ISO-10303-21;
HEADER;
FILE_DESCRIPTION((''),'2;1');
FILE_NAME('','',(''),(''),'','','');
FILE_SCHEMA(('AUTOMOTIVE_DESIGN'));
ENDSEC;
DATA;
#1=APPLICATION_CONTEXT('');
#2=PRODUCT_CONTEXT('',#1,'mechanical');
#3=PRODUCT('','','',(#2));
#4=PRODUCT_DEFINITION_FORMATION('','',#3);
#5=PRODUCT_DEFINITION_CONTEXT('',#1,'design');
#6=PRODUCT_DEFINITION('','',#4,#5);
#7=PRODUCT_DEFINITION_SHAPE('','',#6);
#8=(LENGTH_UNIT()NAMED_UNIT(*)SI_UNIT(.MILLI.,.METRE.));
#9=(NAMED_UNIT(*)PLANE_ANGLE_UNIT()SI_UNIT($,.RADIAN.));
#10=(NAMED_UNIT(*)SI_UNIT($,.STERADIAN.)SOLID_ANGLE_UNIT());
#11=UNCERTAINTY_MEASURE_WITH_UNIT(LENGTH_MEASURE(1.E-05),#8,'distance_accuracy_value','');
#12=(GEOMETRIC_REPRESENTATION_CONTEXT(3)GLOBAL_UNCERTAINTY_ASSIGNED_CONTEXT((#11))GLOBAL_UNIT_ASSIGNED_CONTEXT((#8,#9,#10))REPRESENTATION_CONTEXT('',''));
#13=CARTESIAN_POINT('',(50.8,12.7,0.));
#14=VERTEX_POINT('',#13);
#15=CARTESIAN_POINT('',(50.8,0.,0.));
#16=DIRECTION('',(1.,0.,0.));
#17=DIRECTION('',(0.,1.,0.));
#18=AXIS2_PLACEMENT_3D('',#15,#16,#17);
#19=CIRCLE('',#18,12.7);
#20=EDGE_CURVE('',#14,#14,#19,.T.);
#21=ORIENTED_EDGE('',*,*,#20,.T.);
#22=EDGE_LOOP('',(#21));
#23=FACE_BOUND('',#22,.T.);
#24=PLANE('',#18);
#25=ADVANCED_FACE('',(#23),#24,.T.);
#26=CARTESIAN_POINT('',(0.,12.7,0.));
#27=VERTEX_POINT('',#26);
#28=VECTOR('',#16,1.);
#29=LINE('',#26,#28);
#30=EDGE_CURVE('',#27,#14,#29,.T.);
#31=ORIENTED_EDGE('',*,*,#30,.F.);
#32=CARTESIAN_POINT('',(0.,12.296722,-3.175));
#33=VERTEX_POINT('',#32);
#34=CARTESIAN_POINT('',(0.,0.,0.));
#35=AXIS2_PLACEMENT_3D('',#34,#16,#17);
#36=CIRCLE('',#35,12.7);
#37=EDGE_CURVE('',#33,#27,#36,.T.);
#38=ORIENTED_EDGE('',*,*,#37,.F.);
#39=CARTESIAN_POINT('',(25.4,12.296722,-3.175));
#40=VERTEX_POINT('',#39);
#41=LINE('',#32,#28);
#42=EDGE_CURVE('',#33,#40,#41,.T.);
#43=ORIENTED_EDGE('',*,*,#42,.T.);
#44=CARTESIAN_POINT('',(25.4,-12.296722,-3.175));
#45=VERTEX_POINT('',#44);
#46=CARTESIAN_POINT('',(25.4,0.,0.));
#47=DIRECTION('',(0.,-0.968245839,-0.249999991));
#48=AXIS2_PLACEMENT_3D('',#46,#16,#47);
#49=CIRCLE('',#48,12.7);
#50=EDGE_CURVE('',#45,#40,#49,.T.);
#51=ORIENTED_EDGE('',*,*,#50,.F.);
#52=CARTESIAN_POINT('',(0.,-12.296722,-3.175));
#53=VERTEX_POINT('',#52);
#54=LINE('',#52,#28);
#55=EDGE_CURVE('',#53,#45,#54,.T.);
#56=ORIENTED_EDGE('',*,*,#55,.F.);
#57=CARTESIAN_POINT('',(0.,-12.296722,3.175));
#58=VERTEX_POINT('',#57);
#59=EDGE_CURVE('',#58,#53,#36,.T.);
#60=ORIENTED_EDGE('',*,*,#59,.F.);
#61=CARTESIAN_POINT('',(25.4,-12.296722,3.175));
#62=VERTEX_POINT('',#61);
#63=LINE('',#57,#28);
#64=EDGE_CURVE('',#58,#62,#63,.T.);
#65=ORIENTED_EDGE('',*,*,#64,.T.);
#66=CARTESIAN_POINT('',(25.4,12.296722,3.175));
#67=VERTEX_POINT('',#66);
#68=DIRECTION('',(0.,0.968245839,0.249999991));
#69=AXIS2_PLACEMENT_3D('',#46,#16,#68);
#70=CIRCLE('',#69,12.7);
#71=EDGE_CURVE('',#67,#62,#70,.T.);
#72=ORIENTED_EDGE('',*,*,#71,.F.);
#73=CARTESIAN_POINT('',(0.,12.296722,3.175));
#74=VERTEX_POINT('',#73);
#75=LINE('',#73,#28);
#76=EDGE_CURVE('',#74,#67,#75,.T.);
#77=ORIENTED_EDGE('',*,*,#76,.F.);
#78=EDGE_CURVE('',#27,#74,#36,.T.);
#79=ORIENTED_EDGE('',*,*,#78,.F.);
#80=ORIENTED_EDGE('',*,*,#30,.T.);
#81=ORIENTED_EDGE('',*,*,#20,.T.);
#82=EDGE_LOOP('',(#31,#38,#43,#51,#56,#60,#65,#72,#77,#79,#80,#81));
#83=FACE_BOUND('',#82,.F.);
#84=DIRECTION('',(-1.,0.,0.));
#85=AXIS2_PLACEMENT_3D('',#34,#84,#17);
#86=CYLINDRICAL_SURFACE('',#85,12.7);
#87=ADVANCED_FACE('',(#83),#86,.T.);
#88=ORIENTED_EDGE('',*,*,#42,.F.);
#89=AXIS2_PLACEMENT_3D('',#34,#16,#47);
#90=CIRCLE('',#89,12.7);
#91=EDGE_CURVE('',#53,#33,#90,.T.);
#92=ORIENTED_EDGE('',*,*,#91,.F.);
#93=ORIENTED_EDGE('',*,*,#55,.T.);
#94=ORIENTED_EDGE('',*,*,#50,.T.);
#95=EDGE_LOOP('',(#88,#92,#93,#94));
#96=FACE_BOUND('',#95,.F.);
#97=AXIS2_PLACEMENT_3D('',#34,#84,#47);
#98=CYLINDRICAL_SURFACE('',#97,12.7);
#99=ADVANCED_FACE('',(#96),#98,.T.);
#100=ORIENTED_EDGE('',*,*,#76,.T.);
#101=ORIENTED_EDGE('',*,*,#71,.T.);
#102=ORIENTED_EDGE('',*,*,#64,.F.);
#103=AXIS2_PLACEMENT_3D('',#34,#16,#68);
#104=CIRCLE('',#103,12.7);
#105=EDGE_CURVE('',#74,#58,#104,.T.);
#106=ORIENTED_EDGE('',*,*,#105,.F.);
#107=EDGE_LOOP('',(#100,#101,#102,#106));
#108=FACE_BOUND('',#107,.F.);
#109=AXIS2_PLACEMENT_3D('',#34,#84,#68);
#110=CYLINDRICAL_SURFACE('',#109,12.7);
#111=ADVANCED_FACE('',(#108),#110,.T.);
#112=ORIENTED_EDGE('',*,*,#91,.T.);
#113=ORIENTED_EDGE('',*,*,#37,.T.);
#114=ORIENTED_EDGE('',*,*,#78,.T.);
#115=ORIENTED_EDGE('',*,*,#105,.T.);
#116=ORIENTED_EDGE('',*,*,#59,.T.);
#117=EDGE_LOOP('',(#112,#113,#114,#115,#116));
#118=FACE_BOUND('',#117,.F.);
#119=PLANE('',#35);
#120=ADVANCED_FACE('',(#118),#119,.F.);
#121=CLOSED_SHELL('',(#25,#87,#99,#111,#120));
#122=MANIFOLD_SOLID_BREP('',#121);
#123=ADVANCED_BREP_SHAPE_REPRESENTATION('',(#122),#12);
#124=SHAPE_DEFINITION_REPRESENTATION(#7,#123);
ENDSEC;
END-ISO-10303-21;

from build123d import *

# Parameters (mm, degrees)
F0_R     = 12.7
F1_DEPTH = 50.8
F3_DEPTH = 25.4


with BuildPart() as f1:
    # F0 (on Right) → F1 (new body)
    with BuildSketch(Plane.YZ):
        Circle(F0_R)
    extrude(amount=F1_DEPTH)

    # F2 (on face) → F3 (cut)
    with BuildSketch(Plane(origin=(0, 0, 0), x_dir=(0, -1, 0), z_dir=(-1, 0, 0))):
        with BuildLine():
            Line((-25.4, 28.575), (-25.4, 3.175))
            Line((-25.4, 3.175), (-12.296722, 3.175))
            ThreePointArc((-12.296722, 3.175), (0, 12.7), (12.296722, 3.175))
            Line((12.296722, 3.175), (25.4, 3.175))
            Line((25.4, 3.175), (25.4, 28.575))
            Line((25.4, 28.575), (-25.4, 28.575))
        make_face()
        with BuildLine():
            Line((-12.296722, -3.175), (-25.4, -3.175))
            Line((-25.4, -3.175), (-25.4, -53.975))
            Line((-25.4, -53.975), (25.4, -53.975))
            Line((25.4, -53.975), (25.4, -3.175))
            Line((25.4, -3.175), (12.296722, -3.175))
            ThreePointArc((12.296722, -3.175), (0, -12.7), (-12.296722, -3.175))
        make_face()
    extrude(amount=-F3_DEPTH, mode=Mode.SUBTRACT)


solid = f1.part
